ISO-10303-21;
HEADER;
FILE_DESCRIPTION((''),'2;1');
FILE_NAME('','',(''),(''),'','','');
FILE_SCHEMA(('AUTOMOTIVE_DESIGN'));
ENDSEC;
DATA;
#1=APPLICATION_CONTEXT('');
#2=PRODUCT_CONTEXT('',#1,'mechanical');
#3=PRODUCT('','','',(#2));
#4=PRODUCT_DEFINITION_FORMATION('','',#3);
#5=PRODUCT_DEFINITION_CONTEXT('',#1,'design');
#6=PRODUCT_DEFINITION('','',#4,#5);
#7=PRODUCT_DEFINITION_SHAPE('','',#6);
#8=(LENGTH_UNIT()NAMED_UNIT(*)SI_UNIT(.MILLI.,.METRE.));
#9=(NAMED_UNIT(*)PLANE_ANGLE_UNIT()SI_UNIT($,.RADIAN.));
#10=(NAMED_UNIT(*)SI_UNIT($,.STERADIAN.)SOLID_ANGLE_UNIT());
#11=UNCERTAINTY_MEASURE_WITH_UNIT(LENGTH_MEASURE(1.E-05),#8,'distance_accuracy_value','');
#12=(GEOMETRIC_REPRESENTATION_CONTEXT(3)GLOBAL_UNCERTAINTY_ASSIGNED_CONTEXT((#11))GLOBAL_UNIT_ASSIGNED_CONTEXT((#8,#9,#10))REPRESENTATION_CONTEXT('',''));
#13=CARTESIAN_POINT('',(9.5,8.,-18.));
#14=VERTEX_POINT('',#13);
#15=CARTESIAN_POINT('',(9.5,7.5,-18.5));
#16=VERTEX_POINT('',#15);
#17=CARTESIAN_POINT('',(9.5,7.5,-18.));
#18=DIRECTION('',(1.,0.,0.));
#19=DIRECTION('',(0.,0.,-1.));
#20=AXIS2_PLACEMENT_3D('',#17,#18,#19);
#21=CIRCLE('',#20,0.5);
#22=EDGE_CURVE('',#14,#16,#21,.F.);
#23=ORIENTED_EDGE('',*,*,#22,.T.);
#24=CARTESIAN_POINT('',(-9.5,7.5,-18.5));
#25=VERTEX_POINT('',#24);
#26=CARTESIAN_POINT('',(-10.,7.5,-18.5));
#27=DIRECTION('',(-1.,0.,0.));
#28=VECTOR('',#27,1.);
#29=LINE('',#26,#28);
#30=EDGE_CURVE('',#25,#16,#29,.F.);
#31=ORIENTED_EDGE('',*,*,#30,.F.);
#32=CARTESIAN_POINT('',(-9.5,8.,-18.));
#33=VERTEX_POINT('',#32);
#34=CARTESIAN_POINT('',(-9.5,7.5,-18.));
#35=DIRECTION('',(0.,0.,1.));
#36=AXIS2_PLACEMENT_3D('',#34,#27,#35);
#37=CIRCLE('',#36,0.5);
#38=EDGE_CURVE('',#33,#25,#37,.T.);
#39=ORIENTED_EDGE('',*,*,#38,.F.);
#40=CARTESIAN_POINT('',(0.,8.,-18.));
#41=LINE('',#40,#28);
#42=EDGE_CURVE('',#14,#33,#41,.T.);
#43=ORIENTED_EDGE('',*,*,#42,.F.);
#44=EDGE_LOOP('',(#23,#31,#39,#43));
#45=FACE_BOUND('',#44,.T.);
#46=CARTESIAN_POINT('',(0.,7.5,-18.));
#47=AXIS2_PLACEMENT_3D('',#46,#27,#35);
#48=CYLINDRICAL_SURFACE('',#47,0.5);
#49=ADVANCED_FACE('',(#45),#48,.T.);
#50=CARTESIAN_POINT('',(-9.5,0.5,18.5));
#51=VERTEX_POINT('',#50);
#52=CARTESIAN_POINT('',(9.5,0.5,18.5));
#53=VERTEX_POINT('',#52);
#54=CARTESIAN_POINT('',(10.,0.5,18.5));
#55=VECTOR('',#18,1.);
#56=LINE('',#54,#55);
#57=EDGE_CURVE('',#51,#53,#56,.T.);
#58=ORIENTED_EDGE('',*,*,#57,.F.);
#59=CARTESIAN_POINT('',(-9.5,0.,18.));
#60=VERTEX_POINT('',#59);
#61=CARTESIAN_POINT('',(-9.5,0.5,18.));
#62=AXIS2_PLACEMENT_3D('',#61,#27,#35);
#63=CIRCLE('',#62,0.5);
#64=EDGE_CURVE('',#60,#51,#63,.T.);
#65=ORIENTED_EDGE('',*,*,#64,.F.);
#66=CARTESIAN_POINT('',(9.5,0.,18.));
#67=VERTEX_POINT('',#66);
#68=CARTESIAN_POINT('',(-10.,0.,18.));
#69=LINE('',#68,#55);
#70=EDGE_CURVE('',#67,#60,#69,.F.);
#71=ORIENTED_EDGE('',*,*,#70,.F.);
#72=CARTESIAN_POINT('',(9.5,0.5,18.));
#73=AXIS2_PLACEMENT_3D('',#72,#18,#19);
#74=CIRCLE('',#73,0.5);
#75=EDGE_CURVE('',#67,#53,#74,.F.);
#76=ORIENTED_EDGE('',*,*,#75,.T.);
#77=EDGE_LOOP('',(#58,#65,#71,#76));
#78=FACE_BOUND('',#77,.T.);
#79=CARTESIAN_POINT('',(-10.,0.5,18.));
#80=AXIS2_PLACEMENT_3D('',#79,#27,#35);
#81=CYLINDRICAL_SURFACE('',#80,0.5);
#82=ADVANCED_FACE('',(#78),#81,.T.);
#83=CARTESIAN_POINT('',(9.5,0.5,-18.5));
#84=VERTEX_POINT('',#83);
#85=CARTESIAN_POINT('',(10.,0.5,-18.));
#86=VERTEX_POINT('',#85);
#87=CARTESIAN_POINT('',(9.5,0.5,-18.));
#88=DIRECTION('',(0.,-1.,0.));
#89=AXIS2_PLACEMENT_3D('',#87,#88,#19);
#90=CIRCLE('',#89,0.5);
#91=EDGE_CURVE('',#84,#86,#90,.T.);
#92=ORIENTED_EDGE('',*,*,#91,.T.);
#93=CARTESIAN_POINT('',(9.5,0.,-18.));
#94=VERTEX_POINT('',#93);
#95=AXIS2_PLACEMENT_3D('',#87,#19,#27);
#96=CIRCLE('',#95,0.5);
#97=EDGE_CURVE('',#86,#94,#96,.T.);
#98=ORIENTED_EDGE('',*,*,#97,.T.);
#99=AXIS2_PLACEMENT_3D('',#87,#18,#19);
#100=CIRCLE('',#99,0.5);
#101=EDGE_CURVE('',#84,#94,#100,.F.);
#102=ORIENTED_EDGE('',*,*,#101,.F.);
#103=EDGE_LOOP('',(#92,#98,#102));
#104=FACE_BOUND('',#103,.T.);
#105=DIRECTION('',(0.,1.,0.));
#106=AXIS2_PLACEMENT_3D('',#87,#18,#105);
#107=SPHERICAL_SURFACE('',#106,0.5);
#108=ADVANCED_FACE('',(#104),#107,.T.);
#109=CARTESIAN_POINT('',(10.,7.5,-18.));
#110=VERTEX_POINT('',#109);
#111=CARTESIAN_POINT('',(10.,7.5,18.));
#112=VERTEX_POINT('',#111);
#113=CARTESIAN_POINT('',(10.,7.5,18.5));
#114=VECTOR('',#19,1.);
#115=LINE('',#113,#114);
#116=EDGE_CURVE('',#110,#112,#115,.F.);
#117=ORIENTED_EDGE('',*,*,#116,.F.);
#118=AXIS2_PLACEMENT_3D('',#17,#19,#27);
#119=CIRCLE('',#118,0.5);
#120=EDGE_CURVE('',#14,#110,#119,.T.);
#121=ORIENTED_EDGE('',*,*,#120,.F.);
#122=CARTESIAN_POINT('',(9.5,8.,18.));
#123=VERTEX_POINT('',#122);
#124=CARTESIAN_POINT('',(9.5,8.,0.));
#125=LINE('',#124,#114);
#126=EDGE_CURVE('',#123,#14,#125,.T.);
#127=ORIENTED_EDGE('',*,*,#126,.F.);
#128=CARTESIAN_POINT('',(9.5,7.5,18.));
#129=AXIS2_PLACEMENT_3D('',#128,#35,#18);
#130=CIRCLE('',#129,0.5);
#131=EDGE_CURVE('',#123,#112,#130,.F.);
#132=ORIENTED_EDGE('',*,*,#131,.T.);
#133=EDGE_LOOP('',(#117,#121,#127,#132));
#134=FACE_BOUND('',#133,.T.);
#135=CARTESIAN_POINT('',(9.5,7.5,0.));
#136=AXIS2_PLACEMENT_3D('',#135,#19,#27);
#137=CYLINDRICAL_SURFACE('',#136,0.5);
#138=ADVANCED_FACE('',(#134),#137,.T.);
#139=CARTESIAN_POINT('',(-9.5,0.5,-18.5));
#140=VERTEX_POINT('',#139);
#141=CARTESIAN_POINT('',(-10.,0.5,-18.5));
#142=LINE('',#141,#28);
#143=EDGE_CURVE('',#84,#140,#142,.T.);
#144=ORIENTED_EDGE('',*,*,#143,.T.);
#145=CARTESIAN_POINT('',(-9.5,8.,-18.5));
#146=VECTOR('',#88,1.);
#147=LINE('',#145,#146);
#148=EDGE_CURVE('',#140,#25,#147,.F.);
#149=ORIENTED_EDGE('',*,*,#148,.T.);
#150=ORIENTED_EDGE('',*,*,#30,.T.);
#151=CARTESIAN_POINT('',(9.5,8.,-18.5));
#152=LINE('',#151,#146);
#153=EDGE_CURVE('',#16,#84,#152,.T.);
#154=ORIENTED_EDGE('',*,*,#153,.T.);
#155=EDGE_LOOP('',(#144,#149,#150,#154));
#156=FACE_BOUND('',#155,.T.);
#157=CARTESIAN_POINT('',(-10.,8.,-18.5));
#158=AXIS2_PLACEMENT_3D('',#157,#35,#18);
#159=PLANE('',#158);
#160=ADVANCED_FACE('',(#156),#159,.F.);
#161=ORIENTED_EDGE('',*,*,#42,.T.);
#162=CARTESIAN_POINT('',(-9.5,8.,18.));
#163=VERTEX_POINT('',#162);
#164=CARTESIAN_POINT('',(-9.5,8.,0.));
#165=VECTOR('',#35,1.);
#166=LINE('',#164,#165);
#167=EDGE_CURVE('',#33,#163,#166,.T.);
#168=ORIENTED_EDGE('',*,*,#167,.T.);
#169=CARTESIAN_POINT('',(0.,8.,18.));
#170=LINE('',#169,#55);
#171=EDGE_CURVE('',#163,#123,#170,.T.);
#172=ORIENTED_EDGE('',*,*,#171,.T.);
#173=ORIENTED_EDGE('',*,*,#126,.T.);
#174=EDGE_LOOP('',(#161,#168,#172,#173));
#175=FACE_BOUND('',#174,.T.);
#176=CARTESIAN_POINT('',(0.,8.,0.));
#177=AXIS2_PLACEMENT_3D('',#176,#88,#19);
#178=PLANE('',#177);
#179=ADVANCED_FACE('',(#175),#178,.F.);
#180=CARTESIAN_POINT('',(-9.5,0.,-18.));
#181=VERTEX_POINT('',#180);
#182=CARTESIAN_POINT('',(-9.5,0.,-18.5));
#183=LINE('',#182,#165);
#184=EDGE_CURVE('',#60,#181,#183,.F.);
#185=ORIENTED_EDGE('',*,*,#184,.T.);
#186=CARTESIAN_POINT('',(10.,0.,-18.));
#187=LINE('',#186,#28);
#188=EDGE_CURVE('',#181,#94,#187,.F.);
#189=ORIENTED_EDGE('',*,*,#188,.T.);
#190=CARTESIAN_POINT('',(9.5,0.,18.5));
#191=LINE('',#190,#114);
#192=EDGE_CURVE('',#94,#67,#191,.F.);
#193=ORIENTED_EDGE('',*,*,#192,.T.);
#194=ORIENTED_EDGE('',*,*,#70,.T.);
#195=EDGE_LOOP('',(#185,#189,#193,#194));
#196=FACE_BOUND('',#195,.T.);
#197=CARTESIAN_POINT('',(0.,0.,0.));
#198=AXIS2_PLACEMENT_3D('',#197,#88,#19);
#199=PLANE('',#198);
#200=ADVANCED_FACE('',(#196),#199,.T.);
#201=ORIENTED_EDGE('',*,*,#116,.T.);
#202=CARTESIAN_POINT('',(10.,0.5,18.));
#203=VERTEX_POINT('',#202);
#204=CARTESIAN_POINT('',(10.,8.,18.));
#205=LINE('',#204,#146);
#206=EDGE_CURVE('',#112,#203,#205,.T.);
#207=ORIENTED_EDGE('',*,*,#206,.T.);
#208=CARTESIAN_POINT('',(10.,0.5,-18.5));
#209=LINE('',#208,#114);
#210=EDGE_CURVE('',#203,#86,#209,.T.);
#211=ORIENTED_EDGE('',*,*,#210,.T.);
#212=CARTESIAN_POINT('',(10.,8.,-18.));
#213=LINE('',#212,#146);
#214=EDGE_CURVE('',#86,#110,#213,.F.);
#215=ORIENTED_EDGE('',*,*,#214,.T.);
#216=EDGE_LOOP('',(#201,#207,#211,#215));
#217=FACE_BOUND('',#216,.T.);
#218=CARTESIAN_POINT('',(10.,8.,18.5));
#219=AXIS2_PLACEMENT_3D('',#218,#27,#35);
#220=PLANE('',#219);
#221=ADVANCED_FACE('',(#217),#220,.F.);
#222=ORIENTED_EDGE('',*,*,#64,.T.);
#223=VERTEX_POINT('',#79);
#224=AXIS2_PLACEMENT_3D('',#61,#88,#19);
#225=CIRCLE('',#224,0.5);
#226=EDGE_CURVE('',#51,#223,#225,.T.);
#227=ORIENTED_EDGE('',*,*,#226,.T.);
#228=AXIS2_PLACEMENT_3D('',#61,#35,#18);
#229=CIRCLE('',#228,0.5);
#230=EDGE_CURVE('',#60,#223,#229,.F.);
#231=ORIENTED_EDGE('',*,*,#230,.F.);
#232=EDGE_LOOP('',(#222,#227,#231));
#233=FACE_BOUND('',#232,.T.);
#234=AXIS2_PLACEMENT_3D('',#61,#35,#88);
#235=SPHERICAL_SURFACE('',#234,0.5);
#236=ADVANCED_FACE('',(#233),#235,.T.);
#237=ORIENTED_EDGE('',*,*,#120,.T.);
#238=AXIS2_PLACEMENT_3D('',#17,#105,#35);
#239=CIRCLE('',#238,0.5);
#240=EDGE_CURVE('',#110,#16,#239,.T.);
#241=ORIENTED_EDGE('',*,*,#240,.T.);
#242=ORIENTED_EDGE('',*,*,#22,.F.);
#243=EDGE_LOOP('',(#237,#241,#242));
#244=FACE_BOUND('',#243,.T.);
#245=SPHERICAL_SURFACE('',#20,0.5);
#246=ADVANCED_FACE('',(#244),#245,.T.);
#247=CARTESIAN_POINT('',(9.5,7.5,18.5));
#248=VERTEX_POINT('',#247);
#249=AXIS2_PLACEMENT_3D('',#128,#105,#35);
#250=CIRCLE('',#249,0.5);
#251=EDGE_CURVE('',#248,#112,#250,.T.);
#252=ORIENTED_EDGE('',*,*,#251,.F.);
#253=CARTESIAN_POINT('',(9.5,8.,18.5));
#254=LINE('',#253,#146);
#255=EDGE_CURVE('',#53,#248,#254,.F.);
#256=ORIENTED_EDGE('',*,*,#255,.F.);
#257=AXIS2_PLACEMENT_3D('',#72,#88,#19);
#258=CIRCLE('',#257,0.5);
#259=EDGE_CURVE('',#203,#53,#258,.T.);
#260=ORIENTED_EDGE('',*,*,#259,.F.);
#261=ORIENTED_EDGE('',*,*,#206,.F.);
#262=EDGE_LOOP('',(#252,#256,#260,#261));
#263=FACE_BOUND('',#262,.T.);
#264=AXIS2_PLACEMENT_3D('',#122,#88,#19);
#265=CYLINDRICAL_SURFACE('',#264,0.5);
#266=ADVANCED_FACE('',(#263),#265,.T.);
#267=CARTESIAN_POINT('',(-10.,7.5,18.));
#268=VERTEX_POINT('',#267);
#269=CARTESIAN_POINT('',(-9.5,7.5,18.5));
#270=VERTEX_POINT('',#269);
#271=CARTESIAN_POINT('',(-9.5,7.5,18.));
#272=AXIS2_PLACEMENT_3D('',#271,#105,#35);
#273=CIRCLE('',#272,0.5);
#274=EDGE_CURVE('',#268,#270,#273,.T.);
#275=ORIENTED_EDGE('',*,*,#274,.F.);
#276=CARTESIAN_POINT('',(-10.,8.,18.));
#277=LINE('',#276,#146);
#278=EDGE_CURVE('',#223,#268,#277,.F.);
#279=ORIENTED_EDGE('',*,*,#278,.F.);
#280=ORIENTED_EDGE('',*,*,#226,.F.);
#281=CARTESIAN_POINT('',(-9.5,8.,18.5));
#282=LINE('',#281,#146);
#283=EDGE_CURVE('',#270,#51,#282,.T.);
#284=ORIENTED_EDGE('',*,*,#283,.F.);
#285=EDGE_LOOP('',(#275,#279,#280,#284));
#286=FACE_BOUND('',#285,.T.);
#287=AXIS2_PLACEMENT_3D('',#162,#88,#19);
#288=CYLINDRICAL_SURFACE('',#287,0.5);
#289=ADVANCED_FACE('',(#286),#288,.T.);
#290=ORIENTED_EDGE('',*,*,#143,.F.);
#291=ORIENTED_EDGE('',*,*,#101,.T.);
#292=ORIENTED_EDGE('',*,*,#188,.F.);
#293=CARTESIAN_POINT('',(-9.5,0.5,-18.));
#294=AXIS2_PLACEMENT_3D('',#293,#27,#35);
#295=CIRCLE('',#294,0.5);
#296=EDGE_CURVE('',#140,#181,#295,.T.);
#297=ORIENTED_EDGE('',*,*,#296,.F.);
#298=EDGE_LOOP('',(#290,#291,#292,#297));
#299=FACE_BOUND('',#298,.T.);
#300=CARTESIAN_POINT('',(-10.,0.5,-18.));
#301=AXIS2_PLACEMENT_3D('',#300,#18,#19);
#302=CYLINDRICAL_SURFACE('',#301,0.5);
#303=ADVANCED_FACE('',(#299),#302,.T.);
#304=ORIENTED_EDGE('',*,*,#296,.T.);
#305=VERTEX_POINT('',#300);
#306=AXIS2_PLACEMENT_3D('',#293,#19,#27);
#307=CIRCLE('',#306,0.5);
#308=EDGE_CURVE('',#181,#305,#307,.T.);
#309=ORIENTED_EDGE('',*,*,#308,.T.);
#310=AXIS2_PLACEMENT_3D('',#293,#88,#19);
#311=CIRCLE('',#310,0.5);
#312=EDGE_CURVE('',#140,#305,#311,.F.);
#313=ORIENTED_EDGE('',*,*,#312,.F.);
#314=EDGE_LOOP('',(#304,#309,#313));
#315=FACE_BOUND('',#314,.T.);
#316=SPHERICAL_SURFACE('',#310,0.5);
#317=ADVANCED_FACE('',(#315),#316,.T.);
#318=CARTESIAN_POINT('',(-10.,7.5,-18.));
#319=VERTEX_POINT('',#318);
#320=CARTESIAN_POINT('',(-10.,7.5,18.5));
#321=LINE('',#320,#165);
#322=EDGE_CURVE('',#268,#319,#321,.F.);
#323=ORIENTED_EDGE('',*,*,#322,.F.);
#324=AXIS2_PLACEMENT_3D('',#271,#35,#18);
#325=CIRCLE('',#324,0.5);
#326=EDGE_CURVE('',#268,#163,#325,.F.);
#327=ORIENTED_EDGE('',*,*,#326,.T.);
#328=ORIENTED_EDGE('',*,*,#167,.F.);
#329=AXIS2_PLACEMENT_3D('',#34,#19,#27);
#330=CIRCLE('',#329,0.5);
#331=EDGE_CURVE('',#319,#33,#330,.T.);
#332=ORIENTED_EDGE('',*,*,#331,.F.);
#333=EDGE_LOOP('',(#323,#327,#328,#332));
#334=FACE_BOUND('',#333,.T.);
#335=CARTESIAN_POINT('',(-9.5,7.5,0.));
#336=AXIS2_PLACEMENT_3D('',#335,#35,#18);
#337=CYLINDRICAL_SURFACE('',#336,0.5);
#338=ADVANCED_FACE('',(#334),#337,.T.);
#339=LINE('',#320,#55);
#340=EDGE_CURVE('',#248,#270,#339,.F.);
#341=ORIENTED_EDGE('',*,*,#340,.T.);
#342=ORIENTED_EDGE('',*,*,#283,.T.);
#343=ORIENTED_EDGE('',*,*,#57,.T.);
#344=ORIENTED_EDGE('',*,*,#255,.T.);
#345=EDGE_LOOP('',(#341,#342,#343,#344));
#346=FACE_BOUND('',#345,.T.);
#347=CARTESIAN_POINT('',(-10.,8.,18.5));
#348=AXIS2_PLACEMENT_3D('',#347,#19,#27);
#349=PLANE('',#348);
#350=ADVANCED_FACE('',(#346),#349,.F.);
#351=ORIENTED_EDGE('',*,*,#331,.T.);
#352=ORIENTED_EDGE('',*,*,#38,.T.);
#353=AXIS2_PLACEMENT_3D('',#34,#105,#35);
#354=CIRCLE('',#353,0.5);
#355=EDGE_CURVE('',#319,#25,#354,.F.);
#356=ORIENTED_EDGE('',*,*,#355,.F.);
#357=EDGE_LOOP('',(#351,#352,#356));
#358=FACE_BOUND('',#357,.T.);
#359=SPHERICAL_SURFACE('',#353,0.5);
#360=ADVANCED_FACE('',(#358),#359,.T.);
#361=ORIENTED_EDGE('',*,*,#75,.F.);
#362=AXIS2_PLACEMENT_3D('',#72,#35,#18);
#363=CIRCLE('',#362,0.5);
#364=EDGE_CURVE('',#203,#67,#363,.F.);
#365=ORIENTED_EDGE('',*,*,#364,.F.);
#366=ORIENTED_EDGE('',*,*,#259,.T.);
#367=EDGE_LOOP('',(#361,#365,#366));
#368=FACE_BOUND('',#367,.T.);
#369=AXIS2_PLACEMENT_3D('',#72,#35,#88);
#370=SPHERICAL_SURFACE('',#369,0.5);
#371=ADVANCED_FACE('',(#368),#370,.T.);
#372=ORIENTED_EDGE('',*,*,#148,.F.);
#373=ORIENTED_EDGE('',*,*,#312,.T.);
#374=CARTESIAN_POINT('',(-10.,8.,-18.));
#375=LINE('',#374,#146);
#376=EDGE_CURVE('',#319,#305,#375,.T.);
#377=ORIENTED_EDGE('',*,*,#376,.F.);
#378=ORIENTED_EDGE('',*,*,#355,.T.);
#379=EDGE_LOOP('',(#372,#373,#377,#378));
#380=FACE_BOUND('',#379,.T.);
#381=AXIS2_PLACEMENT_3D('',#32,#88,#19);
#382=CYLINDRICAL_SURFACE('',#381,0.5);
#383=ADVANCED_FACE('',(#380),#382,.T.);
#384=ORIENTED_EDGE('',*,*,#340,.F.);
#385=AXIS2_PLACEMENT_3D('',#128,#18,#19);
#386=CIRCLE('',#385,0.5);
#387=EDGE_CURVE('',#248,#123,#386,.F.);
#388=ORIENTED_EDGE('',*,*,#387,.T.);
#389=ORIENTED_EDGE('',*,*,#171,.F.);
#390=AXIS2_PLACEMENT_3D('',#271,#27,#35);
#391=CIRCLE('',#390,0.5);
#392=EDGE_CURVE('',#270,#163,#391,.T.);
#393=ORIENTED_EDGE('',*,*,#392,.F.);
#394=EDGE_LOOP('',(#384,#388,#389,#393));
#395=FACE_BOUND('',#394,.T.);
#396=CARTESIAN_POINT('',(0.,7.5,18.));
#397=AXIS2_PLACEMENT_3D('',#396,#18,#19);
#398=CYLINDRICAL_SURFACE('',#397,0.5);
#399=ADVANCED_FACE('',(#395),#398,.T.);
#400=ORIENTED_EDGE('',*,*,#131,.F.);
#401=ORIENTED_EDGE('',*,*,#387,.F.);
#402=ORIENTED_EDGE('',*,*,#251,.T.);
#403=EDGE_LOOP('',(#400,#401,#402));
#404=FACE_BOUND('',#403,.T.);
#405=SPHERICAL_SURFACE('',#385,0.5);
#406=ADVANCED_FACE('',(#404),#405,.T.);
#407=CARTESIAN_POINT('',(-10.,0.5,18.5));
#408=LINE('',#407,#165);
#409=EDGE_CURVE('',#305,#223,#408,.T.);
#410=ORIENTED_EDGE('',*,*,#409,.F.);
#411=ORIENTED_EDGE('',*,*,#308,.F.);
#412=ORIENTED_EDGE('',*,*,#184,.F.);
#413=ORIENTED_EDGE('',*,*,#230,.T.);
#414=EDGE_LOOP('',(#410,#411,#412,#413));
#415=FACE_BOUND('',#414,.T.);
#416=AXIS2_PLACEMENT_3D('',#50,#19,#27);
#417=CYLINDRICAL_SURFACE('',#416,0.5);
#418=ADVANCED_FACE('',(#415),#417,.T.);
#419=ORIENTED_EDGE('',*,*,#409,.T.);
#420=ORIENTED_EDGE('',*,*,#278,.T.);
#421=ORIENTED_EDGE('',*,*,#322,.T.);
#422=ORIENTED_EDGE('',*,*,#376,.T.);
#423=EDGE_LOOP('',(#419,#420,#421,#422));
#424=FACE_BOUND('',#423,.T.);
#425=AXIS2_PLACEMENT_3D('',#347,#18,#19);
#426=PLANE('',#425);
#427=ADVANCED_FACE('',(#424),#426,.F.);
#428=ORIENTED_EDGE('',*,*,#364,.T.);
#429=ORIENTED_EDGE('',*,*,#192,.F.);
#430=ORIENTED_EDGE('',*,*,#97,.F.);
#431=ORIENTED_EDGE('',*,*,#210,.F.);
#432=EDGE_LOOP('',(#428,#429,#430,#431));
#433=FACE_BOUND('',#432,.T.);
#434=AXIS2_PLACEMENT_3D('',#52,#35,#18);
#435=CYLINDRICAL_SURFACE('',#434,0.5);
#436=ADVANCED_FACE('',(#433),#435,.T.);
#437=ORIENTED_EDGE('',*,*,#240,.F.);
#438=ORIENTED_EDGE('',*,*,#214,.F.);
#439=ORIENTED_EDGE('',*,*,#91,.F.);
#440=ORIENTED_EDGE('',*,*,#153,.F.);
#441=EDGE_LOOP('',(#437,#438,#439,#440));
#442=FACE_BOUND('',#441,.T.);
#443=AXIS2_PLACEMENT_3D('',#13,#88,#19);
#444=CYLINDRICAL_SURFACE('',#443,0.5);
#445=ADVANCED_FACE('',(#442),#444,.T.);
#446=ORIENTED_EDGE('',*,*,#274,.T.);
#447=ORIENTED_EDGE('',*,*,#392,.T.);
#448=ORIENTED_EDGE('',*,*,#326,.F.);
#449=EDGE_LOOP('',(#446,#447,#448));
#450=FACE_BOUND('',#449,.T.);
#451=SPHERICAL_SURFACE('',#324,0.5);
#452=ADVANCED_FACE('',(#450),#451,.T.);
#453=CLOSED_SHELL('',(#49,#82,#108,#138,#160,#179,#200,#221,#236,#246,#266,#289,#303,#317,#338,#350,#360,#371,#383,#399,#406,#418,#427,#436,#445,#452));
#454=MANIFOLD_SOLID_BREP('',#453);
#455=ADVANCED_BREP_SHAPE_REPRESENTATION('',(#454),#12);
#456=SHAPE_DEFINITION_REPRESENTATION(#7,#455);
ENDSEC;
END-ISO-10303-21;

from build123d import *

# Parameters (mm, degrees)
SKETCH1_W           = 20
SKETCH1_H           = 37
BOSS_EXTRUDE1_DEPTH = 8
FILLET1_R           = 0.5


with BuildPart() as part:
    # Sketch1 → Boss-Extrude1 (new body)
    with BuildSketch(Plane(origin=(0, 0, 0), x_dir=(1, 0, 0), z_dir=(0, 1, 0))):
        Rectangle(SKETCH1_W, SKETCH1_H)
    extrude(amount=BOSS_EXTRUDE1_DEPTH)

    # Fillet1
    fillet1_edges = [part.edges().sort_by_distance(p)[0] for p in [
        (-10, 8, 0),
        (0, 8, 18.5),
        (10, 8, 0),
        (0, 0, 18.5),
        (-10, 0, 0),
        (0, 0, -18.5),
        (10, 0, 0),
        (10, 4, 18.5),
        (-10, 4, 18.5),
        (-10, 4, -18.5),
        (10, 4, -18.5),
        (0, 8, -18.5),
    ]]
    fillet(fillet1_edges, radius=FILLET1_R)


solid = part.part
